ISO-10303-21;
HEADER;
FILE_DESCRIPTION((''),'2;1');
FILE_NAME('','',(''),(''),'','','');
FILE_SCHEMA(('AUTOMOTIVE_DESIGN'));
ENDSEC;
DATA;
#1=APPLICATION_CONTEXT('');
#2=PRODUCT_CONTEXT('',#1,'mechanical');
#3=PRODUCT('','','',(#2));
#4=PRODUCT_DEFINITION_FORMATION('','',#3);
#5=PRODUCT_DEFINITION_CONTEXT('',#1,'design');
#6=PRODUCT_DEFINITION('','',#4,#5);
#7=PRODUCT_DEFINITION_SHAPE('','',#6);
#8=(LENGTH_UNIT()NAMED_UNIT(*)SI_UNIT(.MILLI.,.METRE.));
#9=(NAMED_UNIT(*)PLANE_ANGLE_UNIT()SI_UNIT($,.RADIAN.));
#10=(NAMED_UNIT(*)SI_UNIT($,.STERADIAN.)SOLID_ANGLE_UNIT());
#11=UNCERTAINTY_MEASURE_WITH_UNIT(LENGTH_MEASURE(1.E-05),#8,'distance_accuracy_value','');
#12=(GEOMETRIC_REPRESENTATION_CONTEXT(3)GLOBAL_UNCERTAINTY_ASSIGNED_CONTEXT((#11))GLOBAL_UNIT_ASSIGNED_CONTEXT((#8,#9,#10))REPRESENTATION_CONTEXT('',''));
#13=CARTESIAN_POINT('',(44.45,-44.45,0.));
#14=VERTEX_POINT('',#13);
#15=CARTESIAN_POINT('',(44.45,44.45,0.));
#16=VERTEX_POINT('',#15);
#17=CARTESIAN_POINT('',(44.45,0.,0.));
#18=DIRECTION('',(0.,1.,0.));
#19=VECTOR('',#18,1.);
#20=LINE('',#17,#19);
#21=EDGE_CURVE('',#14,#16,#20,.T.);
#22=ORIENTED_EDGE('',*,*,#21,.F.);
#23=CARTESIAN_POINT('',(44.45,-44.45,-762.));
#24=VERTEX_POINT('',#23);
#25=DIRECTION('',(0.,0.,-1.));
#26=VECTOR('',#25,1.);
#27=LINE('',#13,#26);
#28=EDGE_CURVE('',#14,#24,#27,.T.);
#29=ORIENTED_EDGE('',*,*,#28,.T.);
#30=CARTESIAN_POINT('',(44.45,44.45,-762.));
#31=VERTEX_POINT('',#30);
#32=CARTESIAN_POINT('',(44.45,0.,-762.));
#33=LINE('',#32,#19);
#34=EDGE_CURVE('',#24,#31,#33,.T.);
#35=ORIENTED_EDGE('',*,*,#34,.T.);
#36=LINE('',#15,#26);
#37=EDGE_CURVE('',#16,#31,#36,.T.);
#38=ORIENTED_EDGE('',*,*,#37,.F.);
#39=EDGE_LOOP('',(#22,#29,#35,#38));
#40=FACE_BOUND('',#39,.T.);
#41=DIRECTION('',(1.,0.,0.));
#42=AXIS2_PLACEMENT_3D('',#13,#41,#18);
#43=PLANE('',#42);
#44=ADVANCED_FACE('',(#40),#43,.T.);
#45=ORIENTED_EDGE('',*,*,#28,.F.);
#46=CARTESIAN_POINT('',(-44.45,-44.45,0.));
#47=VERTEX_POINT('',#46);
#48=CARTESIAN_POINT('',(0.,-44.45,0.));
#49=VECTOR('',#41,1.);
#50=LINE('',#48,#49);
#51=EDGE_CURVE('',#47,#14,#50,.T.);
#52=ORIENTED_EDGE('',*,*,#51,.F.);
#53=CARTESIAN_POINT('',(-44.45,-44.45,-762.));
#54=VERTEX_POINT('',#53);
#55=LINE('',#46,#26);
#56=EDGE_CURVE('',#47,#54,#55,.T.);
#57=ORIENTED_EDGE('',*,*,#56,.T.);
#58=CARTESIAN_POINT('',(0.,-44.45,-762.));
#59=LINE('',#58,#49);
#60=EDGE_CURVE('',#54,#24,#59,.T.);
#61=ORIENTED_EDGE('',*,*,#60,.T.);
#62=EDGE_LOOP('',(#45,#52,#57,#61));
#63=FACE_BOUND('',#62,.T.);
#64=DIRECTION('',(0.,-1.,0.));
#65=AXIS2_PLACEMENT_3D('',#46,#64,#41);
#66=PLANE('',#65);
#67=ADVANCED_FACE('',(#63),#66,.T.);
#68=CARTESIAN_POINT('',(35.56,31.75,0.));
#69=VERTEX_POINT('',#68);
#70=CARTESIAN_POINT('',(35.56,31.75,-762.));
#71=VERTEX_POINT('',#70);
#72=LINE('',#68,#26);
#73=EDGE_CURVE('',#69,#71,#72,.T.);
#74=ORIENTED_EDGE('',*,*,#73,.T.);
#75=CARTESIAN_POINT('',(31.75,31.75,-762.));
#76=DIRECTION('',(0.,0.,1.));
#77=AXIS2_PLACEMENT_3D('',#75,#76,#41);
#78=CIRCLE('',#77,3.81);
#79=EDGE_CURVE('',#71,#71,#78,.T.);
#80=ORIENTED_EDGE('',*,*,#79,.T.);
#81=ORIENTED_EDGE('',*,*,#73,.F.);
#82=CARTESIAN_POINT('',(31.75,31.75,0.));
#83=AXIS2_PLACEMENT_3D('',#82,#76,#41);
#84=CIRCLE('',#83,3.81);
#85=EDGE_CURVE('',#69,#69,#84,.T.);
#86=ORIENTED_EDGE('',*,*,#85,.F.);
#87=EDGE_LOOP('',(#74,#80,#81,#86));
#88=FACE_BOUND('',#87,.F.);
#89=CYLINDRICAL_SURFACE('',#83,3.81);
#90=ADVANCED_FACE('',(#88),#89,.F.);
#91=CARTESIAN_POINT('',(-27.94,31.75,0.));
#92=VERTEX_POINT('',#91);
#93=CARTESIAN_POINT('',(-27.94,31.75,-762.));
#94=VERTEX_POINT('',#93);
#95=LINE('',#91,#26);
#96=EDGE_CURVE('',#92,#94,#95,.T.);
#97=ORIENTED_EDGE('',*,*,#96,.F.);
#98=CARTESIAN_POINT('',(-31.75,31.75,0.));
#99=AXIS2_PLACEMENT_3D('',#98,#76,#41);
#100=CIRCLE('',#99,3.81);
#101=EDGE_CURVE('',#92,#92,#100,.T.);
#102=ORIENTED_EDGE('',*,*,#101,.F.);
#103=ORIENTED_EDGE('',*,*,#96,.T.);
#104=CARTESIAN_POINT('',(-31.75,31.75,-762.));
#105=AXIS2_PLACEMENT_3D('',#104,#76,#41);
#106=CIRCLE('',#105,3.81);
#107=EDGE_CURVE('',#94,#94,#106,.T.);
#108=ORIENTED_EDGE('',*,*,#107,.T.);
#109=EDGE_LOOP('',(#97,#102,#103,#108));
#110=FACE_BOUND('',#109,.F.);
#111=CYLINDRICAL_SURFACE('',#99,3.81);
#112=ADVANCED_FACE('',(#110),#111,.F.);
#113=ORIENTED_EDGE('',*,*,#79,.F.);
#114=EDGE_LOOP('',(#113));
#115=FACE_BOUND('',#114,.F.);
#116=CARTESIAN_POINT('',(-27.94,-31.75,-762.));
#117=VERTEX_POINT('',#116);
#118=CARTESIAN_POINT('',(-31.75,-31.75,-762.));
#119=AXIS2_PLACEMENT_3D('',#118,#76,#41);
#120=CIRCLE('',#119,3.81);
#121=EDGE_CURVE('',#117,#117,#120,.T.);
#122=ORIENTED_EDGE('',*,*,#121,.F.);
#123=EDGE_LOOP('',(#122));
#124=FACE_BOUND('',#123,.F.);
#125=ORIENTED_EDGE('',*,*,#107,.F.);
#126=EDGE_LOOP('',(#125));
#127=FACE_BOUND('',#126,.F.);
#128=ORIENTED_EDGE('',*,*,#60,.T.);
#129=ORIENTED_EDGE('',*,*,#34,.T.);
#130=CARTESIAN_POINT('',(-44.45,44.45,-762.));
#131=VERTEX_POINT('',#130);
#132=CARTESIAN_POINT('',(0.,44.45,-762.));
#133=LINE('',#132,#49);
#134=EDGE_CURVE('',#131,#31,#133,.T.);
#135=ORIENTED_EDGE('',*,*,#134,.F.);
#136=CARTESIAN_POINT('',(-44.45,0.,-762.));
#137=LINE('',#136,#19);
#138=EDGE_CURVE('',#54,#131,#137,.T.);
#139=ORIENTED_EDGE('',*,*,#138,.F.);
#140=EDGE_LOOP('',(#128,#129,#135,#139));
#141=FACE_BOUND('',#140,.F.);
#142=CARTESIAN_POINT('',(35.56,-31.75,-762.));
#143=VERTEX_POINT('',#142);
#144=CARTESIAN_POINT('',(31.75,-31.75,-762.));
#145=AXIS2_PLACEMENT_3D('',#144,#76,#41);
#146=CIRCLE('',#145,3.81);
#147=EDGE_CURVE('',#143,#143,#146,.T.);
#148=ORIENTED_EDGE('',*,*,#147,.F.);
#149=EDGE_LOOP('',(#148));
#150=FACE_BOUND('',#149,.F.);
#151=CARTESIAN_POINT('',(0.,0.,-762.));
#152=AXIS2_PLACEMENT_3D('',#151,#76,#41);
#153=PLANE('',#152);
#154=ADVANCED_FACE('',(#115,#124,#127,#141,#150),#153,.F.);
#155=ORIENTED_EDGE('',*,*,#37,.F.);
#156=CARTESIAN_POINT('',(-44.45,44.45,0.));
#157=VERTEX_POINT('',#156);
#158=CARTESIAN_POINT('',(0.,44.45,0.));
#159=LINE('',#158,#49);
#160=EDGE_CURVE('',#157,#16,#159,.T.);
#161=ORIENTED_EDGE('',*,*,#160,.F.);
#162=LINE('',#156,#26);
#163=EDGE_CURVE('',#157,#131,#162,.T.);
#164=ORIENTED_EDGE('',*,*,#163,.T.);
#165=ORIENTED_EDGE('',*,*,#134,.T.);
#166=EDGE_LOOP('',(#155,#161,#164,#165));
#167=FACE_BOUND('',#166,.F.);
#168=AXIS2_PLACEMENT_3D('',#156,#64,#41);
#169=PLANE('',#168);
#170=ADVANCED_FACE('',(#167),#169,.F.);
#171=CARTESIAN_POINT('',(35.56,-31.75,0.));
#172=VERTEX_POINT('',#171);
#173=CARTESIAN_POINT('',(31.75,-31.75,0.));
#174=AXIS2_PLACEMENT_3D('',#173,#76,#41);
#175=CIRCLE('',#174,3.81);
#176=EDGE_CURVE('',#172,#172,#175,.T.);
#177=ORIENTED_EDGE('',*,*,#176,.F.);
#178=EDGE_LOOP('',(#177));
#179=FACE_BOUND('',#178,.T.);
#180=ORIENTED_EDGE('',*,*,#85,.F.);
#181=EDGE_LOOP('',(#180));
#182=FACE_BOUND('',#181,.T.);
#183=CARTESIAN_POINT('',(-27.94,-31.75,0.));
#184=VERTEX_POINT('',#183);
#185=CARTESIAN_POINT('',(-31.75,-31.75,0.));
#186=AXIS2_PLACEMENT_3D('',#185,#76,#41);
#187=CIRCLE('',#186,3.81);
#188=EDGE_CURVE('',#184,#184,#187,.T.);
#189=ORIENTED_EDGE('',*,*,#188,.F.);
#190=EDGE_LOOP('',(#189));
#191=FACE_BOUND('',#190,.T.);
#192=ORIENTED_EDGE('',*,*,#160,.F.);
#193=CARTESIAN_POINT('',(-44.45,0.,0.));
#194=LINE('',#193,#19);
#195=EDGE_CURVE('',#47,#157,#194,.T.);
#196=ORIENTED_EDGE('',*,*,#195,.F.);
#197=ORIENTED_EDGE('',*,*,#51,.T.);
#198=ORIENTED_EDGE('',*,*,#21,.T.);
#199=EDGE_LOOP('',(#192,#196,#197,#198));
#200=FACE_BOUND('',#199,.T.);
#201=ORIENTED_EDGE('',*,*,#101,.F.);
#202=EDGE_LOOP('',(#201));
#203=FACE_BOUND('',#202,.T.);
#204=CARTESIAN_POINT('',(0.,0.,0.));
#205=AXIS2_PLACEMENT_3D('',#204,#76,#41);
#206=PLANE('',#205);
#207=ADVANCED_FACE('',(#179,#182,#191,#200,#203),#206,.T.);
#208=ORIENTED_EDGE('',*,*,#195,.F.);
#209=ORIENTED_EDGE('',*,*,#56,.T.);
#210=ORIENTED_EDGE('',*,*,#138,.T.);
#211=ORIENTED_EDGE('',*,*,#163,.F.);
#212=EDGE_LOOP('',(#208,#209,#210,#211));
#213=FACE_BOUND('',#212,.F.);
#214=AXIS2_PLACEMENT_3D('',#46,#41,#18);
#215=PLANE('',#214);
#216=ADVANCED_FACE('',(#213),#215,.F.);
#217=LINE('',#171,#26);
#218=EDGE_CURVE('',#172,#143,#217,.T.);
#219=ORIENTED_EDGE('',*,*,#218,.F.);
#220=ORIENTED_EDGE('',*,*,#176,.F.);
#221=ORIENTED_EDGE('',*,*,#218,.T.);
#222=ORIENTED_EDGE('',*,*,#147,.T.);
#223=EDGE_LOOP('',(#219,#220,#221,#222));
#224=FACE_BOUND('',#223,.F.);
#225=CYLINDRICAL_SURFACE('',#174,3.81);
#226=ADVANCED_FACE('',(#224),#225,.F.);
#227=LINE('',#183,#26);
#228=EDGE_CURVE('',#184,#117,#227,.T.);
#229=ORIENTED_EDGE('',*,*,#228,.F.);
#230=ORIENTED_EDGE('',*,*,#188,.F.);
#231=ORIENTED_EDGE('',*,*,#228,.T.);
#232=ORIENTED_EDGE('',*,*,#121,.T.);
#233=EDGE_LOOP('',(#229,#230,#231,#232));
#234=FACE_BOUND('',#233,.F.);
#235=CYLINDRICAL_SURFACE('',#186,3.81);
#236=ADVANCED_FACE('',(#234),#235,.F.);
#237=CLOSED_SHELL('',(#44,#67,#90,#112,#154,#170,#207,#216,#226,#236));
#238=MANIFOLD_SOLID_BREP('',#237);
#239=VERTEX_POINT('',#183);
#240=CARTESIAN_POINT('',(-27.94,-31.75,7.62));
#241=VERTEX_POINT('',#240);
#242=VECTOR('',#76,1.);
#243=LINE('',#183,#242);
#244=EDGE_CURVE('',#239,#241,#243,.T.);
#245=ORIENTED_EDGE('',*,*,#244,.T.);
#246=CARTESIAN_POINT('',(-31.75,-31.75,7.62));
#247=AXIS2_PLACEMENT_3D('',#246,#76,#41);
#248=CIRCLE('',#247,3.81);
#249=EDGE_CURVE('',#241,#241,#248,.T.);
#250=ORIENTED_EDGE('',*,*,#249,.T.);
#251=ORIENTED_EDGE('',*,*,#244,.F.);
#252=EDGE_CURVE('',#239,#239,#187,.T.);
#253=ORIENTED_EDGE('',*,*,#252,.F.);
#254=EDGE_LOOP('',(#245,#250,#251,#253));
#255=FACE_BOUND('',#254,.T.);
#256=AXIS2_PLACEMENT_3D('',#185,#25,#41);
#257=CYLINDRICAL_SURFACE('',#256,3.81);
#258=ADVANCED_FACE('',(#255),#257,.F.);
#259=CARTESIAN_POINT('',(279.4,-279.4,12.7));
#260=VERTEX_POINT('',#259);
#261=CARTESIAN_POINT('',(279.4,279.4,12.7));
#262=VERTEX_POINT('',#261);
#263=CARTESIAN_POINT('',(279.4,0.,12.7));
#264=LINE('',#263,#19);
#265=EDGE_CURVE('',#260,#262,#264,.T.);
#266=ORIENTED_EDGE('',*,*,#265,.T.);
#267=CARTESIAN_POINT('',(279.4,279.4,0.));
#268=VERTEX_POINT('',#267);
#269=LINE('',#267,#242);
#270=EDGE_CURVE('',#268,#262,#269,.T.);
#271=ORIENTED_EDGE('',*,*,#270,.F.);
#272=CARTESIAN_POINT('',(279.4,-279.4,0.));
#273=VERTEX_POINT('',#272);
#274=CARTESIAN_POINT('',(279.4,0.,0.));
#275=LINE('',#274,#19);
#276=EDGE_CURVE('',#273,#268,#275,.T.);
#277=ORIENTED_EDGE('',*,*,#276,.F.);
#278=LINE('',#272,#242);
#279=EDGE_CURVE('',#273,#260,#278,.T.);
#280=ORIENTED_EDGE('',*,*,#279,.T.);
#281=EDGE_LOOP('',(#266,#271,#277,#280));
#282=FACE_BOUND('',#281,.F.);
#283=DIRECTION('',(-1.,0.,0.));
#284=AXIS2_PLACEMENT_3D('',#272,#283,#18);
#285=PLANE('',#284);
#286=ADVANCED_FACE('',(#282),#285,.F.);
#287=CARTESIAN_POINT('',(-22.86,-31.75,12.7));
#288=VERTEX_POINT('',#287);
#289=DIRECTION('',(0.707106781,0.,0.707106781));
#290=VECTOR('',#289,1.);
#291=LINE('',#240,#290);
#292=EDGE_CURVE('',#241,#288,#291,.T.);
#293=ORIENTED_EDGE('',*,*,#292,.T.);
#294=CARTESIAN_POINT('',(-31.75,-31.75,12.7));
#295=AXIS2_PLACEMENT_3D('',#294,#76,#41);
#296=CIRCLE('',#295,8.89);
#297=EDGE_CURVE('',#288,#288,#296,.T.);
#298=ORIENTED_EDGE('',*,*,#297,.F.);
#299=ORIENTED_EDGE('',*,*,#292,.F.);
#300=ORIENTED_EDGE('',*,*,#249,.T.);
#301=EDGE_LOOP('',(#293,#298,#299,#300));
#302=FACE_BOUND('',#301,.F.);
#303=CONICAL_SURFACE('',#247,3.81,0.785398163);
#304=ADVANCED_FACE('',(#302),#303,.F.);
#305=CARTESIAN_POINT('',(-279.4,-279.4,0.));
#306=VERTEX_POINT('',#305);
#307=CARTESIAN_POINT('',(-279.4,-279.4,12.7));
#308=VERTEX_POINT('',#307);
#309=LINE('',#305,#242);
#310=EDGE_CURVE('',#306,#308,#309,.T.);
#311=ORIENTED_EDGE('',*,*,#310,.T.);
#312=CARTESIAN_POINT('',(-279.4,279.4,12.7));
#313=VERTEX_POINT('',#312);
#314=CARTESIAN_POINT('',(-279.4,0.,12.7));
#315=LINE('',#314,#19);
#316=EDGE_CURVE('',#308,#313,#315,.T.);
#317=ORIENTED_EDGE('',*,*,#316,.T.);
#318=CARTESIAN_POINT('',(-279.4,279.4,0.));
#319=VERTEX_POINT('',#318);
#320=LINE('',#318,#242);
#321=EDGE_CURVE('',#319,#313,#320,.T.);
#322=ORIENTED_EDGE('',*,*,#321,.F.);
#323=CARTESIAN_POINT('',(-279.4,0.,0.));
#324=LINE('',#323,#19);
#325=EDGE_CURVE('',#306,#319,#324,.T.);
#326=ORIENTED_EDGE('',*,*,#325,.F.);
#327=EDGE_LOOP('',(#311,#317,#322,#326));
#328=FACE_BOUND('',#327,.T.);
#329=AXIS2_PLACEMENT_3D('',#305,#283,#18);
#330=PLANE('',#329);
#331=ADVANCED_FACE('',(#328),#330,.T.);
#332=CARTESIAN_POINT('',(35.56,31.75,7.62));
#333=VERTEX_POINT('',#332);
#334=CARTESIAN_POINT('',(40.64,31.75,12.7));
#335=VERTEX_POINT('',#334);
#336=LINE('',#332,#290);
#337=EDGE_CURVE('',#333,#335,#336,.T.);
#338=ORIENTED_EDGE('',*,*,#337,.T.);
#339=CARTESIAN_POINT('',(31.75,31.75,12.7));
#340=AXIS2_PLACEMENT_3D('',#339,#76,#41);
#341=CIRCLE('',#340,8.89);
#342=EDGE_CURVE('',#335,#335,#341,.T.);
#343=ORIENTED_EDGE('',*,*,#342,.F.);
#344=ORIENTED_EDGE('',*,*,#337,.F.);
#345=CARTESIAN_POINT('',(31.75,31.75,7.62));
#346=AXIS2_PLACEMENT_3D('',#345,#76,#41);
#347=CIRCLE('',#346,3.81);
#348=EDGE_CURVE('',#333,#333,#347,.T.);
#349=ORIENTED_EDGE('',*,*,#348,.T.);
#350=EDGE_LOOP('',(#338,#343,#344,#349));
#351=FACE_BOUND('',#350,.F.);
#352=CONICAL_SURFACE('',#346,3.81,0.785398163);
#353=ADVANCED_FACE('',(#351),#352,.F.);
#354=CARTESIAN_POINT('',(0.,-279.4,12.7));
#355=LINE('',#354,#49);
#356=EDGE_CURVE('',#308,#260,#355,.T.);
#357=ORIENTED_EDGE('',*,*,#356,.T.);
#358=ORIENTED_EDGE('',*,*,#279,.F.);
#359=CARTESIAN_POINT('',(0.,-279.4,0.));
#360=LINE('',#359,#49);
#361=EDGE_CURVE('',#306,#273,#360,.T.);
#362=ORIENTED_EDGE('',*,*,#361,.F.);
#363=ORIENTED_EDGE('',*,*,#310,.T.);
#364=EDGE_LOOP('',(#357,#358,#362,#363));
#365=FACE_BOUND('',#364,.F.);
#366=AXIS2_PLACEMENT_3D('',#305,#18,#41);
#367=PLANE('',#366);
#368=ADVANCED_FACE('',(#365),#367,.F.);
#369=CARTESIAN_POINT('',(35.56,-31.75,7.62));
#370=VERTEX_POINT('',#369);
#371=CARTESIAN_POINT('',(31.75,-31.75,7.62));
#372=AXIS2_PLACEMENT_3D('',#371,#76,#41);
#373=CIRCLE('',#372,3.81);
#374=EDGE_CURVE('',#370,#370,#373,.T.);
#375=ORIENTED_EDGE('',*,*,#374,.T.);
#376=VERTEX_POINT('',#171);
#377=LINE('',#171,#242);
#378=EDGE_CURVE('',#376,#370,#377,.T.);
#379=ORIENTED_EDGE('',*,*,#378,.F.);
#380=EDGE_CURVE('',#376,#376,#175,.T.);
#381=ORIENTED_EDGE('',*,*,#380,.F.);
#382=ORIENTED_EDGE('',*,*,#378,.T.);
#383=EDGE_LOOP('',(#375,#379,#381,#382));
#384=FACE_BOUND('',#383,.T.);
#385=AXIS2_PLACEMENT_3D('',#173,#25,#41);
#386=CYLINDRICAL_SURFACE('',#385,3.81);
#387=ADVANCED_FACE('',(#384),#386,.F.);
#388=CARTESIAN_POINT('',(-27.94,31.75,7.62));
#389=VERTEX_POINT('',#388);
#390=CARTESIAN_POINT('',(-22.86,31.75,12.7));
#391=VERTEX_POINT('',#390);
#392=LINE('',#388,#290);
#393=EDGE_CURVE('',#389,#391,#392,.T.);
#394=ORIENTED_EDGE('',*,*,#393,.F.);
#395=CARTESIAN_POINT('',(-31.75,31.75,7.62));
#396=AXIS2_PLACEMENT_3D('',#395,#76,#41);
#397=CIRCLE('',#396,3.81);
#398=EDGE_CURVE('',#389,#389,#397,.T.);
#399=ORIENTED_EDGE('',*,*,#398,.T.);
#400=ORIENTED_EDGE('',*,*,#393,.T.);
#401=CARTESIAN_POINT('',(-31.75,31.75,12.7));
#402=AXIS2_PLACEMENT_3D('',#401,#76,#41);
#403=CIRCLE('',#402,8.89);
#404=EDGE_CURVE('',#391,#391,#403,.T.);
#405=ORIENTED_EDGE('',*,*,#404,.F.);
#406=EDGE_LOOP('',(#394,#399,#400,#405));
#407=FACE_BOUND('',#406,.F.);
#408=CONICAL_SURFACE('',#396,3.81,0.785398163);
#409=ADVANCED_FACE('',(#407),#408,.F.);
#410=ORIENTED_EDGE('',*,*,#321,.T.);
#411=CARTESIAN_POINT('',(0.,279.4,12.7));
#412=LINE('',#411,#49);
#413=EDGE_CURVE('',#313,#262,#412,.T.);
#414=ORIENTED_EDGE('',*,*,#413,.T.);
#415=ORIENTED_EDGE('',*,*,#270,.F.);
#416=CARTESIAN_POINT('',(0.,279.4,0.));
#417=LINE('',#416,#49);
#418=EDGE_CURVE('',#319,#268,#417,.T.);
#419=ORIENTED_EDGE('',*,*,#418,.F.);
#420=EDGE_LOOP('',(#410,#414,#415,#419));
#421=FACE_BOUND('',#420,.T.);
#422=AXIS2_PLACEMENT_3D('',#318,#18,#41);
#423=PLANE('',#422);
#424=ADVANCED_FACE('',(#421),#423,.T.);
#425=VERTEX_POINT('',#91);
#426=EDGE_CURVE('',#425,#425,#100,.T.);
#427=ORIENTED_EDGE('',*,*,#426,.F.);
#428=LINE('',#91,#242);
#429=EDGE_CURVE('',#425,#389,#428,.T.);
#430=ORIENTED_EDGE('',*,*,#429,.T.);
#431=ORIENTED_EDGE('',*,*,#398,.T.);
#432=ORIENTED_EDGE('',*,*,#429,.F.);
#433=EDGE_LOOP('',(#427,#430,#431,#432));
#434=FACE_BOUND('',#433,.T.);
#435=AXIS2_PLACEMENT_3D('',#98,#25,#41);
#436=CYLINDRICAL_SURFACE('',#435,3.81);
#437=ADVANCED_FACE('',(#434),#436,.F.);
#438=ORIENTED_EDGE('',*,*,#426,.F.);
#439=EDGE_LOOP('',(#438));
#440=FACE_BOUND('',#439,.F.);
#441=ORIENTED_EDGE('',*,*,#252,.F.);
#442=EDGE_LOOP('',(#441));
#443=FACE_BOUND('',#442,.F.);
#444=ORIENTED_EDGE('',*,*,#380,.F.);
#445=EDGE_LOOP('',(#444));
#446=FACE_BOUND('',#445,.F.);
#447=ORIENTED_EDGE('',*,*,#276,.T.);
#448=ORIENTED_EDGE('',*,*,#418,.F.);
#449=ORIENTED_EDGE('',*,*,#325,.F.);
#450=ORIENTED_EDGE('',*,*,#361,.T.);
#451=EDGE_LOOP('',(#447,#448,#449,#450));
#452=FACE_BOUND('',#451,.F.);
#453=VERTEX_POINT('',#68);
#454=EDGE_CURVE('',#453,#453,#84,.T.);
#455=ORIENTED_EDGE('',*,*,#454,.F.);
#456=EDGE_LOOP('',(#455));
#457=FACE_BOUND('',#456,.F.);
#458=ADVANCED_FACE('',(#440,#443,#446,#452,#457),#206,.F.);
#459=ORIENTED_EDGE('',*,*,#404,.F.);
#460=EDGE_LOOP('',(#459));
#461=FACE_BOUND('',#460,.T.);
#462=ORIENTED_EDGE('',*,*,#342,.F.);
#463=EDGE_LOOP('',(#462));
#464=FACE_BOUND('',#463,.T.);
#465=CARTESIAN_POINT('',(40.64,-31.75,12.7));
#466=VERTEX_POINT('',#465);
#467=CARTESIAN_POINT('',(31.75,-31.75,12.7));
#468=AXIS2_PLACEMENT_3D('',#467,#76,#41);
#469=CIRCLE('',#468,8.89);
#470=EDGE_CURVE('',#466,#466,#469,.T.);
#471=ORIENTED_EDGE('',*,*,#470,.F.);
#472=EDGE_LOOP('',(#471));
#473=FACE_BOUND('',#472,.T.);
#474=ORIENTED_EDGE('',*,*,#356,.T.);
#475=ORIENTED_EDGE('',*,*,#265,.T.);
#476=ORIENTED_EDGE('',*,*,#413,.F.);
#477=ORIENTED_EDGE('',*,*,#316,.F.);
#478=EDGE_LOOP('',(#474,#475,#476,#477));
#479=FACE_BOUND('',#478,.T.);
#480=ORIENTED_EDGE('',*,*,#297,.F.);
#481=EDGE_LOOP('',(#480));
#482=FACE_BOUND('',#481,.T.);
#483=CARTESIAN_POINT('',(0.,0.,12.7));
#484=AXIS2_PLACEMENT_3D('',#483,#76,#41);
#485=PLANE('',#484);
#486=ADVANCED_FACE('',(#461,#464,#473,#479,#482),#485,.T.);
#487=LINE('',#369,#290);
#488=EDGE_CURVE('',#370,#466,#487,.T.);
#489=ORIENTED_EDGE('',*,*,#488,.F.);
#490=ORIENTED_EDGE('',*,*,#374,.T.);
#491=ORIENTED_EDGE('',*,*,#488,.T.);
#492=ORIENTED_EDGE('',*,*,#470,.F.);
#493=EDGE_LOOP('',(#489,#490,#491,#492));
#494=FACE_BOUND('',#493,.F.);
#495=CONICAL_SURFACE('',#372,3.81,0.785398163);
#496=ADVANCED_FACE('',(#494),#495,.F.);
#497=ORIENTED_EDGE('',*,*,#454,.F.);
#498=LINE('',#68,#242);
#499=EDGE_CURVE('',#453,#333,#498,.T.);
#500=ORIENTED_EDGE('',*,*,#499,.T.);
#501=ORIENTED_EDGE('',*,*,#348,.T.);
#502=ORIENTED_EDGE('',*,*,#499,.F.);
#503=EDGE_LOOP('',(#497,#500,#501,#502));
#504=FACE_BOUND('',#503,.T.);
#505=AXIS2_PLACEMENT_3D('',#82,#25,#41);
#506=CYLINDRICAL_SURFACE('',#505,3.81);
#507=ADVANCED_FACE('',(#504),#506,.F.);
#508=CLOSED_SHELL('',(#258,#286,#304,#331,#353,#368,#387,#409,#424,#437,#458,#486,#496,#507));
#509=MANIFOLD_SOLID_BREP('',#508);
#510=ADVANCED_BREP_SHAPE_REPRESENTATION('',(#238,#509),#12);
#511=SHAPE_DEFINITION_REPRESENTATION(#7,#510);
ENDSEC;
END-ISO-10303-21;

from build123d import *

# Parameters (mm, degrees)
F0_W     = 558.8
F0_H     = 558.8
F0_W_2   = 88.9
F0_H_2   = 88.9
F0_R     = 3.81
F1_DEPTH = 12.7
F2_SIZE  = 5.08
F3_DEPTH = 762


with BuildPart() as f1:
    # F0 (on Top) → F1 (new body)
    with BuildSketch(Plane.XY):
        Rectangle(F0_W, F0_H)
        Rectangle(F0_W_2, F0_H_2, mode=Mode.SUBTRACT)
        Rectangle(F0_W_2, F0_H_2)
        with Locations((-31.75, -31.75)):
            Circle(F0_R, mode=Mode.SUBTRACT)
        with Locations((31.75, -31.75)):
            Circle(F0_R, mode=Mode.SUBTRACT)
        with Locations((-31.75, 31.75)):
            Circle(F0_R, mode=Mode.SUBTRACT)
        with Locations((31.75, 31.75)):
            Circle(F0_R, mode=Mode.SUBTRACT)
    extrude(amount=F1_DEPTH)

    # F2
    f2_edges = [f1.edges().sort_by_distance(p)[0] for p in [
        (-35.56, -31.75, 12.7),
        (27.94, -31.75, 12.7),
        (27.94, 31.75, 12.7),
        (-35.56, 31.75, 12.7),
    ]]
    chamfer(f2_edges, length=F2_SIZE)


with BuildPart() as f3:
    # F0 (on Top) → F3 (new body)
    with BuildSketch(Plane.XY):
        Rectangle(F0_W_2, F0_H_2)
        with Locations((-31.75, -31.75)):
            Circle(F0_R, mode=Mode.SUBTRACT)
        with Locations((31.75, -31.75)):
            Circle(F0_R, mode=Mode.SUBTRACT)
        with Locations((-31.75, 31.75)):
            Circle(F0_R, mode=Mode.SUBTRACT)
        with Locations((31.75, 31.75)):
            Circle(F0_R, mode=Mode.SUBTRACT)
    extrude(amount=-F3_DEPTH)


solid = Compound([f1.part, f3.part])
